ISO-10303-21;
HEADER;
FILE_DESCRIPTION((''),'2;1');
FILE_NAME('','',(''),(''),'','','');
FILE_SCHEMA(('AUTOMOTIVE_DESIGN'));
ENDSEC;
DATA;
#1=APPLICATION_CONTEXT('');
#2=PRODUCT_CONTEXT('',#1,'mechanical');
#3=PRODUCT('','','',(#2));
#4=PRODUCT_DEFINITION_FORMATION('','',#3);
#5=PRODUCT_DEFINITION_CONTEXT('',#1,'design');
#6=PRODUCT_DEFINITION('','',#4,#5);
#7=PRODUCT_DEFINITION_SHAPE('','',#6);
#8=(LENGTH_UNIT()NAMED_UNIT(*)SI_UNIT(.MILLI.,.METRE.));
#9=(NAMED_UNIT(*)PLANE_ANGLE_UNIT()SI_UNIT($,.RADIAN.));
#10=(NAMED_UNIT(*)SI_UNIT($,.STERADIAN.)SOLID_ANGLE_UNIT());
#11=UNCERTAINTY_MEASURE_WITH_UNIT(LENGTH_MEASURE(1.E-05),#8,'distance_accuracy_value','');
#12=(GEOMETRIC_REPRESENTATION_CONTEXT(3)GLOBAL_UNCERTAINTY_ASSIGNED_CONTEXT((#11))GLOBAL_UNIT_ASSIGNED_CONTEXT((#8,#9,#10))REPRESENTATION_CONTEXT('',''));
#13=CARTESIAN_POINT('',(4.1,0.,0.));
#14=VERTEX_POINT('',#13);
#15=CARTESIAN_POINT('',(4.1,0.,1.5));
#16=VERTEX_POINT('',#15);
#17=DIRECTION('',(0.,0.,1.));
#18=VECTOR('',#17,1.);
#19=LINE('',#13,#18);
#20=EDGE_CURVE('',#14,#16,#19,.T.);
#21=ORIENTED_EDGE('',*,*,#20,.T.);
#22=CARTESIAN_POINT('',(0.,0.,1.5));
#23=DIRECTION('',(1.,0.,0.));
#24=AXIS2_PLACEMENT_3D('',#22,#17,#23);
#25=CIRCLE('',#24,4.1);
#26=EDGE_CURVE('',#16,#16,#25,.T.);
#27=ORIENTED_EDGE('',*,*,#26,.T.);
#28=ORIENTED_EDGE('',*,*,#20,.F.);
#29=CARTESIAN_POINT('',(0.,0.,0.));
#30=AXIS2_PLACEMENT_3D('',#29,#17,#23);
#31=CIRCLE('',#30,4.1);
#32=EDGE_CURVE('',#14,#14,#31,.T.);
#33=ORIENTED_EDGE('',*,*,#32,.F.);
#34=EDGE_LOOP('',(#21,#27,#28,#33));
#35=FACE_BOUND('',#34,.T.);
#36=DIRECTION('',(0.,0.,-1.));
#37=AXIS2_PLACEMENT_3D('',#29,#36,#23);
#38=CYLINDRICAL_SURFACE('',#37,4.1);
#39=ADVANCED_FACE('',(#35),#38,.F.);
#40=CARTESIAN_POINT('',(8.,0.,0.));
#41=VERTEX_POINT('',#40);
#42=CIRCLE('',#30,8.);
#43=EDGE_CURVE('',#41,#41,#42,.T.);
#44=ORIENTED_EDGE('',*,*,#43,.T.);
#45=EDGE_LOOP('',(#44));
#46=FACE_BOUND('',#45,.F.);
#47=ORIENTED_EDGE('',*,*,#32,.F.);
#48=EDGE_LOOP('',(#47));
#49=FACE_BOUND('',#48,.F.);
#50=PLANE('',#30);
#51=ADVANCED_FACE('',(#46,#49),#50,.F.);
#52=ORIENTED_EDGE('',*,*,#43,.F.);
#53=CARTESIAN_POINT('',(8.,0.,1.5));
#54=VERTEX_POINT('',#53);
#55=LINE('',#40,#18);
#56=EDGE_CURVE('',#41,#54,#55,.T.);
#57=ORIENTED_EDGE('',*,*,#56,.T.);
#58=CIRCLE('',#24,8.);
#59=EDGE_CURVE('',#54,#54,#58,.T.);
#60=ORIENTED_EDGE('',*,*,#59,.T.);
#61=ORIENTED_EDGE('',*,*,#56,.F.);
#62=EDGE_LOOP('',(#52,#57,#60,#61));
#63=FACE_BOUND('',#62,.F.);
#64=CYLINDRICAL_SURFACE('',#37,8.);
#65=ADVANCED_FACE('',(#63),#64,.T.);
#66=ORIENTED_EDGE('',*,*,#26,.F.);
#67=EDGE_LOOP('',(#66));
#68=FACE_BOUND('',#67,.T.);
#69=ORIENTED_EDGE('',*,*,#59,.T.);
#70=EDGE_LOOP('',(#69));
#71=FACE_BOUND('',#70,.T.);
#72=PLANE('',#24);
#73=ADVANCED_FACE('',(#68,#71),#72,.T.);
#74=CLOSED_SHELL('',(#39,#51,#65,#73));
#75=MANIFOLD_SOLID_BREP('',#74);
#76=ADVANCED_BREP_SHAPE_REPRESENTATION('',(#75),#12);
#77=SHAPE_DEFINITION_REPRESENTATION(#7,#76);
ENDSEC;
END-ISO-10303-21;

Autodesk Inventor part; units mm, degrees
ref_plane "YZ Plane" through (0, 0, 0) normal (1, 0, 0) x (0, 1, 0)
ref_plane "XZ Plane" through (0, 0, 0) normal (0, 1, 0) x (-1, 0, 0)
ref_plane "XY Plane" through (0, 0, 0) normal (0, 0, 1) x (1, 0, 0)
sketch "Sketch1" plane through (0, 0, 0) normal (0, 0, 1) x (1, 0, 0)
  circle A0 centre (0, 0) radius 4.1
  circle A1 centre (0, 0) radius 8
  dimension "d0" = 8.2
  dimension "d3" = 16
extrude "Extrusion1" add sketch "Sketch1" along normal blind 1.5
properties part number "M8 WASHER"
